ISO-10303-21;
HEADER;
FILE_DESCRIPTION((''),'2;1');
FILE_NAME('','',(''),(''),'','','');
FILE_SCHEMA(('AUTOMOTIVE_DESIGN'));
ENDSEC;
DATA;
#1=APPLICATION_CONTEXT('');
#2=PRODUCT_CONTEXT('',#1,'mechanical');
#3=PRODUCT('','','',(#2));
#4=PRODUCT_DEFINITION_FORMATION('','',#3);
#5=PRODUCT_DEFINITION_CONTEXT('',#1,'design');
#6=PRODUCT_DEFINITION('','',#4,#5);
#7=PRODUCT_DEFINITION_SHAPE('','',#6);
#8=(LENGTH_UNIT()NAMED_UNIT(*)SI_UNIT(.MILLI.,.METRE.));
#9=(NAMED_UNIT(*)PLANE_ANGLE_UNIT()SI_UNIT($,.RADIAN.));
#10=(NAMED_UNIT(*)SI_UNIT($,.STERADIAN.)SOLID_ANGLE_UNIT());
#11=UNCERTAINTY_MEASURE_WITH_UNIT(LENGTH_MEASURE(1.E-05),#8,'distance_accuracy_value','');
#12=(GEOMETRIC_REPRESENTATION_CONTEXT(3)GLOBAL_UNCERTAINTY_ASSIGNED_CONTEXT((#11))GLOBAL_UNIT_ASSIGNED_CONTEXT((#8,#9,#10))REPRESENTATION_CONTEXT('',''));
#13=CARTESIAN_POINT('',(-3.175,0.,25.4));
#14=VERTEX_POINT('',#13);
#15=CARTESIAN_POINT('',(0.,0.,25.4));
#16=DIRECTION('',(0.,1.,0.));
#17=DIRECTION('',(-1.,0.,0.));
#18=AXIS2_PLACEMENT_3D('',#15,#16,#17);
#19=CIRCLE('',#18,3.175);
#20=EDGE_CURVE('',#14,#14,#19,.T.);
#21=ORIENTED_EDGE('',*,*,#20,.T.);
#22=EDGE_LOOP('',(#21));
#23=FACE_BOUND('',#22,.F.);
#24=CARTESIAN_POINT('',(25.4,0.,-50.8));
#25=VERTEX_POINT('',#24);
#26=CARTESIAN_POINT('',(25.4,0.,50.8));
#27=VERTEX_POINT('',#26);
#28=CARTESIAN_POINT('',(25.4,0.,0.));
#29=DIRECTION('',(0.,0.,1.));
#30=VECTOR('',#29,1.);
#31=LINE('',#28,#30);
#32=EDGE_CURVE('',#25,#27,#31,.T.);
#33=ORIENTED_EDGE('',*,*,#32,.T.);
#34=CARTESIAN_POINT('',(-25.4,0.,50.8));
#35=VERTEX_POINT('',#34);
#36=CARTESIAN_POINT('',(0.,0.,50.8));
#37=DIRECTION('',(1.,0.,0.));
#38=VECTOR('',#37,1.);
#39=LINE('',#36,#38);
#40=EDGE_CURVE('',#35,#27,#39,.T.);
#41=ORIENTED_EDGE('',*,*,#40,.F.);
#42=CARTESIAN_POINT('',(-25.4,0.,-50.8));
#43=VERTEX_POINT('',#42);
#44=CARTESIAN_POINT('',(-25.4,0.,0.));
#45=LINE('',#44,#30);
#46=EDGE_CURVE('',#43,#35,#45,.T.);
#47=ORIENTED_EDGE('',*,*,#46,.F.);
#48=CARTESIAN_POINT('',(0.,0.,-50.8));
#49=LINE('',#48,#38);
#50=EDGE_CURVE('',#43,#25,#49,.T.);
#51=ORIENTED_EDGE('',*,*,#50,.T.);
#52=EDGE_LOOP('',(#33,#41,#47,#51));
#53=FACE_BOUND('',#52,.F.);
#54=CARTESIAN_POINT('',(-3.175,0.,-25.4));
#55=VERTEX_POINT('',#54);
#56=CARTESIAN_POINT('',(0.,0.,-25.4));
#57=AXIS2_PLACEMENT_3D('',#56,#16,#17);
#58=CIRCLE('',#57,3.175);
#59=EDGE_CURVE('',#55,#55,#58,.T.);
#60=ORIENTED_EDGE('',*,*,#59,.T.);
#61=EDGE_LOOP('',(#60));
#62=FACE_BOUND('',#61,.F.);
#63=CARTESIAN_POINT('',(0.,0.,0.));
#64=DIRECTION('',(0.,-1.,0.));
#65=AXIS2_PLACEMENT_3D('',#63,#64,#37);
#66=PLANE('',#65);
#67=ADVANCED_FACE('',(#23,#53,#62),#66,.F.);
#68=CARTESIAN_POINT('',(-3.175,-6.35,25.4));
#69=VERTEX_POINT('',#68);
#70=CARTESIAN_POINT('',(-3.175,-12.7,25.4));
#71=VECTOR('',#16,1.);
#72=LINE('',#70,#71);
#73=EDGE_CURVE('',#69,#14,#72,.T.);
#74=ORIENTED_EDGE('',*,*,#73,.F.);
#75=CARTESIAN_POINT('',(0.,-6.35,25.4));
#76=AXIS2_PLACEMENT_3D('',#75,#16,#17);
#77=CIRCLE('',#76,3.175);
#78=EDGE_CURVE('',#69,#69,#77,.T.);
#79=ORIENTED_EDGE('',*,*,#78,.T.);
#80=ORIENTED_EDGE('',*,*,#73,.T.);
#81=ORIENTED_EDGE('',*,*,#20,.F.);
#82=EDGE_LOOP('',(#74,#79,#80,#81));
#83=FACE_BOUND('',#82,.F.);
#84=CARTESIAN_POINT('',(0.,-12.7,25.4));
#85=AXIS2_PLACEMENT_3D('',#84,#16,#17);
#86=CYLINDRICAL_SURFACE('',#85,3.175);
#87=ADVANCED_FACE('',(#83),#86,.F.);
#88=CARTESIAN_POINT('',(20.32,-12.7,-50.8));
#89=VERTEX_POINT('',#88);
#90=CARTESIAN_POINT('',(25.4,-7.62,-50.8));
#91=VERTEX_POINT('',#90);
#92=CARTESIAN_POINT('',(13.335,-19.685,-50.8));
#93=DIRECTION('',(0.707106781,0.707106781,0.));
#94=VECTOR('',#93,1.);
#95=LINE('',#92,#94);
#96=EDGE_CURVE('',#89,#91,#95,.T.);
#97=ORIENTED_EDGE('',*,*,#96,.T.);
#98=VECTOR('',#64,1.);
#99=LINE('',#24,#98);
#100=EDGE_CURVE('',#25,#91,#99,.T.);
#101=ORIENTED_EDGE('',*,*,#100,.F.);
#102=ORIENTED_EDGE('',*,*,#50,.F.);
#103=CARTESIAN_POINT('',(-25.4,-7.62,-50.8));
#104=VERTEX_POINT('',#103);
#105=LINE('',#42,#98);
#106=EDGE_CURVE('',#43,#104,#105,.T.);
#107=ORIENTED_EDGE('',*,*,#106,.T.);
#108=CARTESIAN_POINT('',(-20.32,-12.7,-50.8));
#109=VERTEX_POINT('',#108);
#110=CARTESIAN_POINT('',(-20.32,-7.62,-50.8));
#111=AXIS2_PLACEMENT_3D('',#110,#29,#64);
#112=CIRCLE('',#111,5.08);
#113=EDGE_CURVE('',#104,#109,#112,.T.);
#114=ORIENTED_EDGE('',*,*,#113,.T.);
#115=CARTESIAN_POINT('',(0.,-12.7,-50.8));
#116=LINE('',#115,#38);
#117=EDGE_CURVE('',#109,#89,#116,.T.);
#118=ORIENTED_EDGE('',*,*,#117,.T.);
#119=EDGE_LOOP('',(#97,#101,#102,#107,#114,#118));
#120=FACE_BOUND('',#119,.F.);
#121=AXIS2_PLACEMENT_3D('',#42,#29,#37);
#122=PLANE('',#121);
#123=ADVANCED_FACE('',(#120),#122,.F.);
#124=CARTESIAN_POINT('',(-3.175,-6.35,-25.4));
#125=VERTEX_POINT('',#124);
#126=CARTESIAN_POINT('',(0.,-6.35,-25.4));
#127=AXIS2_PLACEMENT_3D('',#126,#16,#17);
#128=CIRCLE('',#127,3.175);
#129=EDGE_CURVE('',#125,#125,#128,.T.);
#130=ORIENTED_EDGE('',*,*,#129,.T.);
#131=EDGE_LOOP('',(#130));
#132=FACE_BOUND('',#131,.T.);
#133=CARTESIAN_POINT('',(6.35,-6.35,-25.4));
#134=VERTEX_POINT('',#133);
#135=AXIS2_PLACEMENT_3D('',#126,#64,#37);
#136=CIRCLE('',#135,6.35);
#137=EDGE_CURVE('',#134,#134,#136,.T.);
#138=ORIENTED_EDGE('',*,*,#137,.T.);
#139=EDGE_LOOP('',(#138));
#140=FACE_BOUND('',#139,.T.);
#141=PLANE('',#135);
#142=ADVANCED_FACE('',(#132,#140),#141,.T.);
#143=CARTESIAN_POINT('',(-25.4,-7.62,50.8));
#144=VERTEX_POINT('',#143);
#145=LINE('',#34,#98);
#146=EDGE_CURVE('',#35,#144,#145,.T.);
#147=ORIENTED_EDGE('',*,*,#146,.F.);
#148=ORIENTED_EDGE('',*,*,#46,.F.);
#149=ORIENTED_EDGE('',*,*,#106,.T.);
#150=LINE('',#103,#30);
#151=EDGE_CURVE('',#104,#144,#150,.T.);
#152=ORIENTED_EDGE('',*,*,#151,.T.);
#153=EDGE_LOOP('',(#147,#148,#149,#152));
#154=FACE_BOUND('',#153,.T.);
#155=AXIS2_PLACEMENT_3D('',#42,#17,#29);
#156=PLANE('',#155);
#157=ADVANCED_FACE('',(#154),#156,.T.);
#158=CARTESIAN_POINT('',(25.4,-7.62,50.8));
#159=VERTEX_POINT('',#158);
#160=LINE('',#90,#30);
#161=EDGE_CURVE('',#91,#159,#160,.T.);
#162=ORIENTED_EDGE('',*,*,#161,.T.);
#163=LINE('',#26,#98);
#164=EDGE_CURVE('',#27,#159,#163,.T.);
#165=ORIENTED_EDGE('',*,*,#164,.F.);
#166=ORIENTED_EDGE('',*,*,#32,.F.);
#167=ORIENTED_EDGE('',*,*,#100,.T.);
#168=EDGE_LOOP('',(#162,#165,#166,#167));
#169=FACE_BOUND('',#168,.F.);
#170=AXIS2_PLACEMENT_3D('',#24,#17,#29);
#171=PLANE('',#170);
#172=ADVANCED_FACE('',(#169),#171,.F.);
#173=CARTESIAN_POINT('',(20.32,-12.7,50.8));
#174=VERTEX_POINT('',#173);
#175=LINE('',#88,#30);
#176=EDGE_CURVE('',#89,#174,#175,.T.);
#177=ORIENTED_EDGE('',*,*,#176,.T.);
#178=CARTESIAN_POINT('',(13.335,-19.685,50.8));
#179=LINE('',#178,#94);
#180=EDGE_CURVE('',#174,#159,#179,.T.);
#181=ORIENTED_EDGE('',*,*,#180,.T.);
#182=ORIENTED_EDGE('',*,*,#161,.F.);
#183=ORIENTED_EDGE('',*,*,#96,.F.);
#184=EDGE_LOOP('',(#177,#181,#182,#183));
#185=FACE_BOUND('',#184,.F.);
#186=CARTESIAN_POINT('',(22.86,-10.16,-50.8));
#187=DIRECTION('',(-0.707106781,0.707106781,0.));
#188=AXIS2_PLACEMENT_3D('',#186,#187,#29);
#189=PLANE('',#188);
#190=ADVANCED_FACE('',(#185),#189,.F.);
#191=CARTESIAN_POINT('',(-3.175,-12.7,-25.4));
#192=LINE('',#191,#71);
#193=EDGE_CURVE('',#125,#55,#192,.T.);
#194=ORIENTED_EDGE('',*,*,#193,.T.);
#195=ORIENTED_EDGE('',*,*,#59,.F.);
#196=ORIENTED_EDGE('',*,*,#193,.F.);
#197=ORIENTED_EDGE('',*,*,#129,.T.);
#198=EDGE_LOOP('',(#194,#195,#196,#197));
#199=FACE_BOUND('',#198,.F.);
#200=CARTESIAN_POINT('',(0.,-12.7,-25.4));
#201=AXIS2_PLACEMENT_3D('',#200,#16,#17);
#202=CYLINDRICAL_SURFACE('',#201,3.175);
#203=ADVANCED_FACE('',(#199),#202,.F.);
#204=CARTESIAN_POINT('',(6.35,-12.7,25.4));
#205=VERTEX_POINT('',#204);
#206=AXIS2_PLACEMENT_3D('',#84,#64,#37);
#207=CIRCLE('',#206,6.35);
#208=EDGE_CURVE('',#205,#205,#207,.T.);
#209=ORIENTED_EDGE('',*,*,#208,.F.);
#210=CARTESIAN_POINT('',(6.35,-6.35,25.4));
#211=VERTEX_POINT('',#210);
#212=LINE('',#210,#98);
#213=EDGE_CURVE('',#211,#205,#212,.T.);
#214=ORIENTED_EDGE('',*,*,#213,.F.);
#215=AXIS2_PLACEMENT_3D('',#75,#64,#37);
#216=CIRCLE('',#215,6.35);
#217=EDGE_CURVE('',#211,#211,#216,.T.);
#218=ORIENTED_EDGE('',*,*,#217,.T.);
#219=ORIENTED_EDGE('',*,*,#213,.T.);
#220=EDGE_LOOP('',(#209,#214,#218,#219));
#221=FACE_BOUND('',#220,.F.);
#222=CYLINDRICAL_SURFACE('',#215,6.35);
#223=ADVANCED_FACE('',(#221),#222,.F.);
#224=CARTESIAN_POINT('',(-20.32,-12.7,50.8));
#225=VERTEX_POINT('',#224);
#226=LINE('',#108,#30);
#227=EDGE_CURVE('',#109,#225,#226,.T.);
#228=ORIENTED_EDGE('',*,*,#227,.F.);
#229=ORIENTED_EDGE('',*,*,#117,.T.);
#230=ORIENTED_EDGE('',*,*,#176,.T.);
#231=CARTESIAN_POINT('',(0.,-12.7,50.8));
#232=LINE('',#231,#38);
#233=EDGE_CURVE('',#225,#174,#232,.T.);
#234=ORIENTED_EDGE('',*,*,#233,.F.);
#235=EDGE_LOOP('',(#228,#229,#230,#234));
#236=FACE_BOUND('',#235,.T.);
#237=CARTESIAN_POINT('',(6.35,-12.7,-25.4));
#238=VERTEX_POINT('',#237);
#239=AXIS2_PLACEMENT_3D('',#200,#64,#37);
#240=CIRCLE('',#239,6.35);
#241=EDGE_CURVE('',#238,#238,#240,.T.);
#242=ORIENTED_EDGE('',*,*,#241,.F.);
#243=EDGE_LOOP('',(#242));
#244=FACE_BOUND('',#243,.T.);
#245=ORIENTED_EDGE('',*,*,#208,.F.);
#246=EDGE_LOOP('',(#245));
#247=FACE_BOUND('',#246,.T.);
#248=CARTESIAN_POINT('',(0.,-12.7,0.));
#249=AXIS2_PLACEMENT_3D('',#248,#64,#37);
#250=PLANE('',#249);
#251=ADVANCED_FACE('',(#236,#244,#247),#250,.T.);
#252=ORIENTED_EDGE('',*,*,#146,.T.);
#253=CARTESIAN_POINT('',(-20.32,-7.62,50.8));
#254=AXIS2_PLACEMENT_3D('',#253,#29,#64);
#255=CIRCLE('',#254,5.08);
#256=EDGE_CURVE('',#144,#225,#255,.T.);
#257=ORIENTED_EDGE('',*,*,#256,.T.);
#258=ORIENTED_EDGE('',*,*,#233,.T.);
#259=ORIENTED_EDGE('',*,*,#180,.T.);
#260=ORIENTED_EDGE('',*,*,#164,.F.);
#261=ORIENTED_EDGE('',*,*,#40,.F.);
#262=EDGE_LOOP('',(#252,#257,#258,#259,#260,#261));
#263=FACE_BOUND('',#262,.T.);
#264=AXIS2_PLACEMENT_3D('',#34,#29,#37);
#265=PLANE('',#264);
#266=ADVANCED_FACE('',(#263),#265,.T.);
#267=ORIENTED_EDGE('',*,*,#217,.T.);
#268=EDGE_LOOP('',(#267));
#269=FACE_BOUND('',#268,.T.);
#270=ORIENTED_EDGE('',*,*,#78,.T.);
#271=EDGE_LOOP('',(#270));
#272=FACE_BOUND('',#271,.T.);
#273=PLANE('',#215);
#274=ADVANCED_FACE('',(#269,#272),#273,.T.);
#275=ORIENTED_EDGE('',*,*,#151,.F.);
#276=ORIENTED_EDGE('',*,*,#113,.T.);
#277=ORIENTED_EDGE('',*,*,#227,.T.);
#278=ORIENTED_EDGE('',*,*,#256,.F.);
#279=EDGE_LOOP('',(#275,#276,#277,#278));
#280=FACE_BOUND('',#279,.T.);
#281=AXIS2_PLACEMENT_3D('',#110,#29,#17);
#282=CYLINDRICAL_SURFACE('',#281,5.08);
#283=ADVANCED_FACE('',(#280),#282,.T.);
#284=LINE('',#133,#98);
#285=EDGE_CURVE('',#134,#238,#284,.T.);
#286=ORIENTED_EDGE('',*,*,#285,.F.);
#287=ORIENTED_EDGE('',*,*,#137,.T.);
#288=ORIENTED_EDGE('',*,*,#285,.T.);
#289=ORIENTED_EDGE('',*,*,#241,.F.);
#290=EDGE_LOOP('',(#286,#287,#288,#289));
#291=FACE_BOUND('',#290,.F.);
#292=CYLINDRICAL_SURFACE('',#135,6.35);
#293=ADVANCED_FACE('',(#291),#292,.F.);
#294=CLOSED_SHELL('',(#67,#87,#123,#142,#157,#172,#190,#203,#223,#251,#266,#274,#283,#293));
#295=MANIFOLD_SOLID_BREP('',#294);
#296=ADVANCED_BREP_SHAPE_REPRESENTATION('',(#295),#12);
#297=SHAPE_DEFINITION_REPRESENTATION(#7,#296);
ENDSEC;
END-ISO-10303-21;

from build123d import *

# Parameters (mm, degrees)
F0_W           = 50.8
F0_H           = 101.6
F1_DEPTH       = 12.7
F3_D           = 6.35
F3_CBORE_D     = 12.7
F3_CBORE_DEPTH = 6.35
F4_R           = 5.08
F5_SIZE        = 5.08


with BuildPart() as f1:
    # F0 (on Front) → F1 (new body)
    with BuildSketch(Plane.XZ):
        Rectangle(F0_W, F0_H)
    extrude(amount=F1_DEPTH)

    # F3 (through all)
    with Locations(Plane.XZ.offset(12.7)):
        with Locations((0, 25.4), (0, -25.4)):
            CounterBoreHole(F3_D / 2, F3_CBORE_D / 2, F3_CBORE_DEPTH)

    # F4
    f4_edges = [f1.edges().sort_by_distance(p)[0] for p in [
        (-25.4, -12.7, 0),
    ]]
    fillet(f4_edges, radius=F4_R)

    # F5
    f5_edges = [f1.edges().sort_by_distance(p)[0] for p in [
        (25.4, -12.7, 0),
    ]]
    chamfer(f5_edges, length=F5_SIZE)


solid = f1.part
